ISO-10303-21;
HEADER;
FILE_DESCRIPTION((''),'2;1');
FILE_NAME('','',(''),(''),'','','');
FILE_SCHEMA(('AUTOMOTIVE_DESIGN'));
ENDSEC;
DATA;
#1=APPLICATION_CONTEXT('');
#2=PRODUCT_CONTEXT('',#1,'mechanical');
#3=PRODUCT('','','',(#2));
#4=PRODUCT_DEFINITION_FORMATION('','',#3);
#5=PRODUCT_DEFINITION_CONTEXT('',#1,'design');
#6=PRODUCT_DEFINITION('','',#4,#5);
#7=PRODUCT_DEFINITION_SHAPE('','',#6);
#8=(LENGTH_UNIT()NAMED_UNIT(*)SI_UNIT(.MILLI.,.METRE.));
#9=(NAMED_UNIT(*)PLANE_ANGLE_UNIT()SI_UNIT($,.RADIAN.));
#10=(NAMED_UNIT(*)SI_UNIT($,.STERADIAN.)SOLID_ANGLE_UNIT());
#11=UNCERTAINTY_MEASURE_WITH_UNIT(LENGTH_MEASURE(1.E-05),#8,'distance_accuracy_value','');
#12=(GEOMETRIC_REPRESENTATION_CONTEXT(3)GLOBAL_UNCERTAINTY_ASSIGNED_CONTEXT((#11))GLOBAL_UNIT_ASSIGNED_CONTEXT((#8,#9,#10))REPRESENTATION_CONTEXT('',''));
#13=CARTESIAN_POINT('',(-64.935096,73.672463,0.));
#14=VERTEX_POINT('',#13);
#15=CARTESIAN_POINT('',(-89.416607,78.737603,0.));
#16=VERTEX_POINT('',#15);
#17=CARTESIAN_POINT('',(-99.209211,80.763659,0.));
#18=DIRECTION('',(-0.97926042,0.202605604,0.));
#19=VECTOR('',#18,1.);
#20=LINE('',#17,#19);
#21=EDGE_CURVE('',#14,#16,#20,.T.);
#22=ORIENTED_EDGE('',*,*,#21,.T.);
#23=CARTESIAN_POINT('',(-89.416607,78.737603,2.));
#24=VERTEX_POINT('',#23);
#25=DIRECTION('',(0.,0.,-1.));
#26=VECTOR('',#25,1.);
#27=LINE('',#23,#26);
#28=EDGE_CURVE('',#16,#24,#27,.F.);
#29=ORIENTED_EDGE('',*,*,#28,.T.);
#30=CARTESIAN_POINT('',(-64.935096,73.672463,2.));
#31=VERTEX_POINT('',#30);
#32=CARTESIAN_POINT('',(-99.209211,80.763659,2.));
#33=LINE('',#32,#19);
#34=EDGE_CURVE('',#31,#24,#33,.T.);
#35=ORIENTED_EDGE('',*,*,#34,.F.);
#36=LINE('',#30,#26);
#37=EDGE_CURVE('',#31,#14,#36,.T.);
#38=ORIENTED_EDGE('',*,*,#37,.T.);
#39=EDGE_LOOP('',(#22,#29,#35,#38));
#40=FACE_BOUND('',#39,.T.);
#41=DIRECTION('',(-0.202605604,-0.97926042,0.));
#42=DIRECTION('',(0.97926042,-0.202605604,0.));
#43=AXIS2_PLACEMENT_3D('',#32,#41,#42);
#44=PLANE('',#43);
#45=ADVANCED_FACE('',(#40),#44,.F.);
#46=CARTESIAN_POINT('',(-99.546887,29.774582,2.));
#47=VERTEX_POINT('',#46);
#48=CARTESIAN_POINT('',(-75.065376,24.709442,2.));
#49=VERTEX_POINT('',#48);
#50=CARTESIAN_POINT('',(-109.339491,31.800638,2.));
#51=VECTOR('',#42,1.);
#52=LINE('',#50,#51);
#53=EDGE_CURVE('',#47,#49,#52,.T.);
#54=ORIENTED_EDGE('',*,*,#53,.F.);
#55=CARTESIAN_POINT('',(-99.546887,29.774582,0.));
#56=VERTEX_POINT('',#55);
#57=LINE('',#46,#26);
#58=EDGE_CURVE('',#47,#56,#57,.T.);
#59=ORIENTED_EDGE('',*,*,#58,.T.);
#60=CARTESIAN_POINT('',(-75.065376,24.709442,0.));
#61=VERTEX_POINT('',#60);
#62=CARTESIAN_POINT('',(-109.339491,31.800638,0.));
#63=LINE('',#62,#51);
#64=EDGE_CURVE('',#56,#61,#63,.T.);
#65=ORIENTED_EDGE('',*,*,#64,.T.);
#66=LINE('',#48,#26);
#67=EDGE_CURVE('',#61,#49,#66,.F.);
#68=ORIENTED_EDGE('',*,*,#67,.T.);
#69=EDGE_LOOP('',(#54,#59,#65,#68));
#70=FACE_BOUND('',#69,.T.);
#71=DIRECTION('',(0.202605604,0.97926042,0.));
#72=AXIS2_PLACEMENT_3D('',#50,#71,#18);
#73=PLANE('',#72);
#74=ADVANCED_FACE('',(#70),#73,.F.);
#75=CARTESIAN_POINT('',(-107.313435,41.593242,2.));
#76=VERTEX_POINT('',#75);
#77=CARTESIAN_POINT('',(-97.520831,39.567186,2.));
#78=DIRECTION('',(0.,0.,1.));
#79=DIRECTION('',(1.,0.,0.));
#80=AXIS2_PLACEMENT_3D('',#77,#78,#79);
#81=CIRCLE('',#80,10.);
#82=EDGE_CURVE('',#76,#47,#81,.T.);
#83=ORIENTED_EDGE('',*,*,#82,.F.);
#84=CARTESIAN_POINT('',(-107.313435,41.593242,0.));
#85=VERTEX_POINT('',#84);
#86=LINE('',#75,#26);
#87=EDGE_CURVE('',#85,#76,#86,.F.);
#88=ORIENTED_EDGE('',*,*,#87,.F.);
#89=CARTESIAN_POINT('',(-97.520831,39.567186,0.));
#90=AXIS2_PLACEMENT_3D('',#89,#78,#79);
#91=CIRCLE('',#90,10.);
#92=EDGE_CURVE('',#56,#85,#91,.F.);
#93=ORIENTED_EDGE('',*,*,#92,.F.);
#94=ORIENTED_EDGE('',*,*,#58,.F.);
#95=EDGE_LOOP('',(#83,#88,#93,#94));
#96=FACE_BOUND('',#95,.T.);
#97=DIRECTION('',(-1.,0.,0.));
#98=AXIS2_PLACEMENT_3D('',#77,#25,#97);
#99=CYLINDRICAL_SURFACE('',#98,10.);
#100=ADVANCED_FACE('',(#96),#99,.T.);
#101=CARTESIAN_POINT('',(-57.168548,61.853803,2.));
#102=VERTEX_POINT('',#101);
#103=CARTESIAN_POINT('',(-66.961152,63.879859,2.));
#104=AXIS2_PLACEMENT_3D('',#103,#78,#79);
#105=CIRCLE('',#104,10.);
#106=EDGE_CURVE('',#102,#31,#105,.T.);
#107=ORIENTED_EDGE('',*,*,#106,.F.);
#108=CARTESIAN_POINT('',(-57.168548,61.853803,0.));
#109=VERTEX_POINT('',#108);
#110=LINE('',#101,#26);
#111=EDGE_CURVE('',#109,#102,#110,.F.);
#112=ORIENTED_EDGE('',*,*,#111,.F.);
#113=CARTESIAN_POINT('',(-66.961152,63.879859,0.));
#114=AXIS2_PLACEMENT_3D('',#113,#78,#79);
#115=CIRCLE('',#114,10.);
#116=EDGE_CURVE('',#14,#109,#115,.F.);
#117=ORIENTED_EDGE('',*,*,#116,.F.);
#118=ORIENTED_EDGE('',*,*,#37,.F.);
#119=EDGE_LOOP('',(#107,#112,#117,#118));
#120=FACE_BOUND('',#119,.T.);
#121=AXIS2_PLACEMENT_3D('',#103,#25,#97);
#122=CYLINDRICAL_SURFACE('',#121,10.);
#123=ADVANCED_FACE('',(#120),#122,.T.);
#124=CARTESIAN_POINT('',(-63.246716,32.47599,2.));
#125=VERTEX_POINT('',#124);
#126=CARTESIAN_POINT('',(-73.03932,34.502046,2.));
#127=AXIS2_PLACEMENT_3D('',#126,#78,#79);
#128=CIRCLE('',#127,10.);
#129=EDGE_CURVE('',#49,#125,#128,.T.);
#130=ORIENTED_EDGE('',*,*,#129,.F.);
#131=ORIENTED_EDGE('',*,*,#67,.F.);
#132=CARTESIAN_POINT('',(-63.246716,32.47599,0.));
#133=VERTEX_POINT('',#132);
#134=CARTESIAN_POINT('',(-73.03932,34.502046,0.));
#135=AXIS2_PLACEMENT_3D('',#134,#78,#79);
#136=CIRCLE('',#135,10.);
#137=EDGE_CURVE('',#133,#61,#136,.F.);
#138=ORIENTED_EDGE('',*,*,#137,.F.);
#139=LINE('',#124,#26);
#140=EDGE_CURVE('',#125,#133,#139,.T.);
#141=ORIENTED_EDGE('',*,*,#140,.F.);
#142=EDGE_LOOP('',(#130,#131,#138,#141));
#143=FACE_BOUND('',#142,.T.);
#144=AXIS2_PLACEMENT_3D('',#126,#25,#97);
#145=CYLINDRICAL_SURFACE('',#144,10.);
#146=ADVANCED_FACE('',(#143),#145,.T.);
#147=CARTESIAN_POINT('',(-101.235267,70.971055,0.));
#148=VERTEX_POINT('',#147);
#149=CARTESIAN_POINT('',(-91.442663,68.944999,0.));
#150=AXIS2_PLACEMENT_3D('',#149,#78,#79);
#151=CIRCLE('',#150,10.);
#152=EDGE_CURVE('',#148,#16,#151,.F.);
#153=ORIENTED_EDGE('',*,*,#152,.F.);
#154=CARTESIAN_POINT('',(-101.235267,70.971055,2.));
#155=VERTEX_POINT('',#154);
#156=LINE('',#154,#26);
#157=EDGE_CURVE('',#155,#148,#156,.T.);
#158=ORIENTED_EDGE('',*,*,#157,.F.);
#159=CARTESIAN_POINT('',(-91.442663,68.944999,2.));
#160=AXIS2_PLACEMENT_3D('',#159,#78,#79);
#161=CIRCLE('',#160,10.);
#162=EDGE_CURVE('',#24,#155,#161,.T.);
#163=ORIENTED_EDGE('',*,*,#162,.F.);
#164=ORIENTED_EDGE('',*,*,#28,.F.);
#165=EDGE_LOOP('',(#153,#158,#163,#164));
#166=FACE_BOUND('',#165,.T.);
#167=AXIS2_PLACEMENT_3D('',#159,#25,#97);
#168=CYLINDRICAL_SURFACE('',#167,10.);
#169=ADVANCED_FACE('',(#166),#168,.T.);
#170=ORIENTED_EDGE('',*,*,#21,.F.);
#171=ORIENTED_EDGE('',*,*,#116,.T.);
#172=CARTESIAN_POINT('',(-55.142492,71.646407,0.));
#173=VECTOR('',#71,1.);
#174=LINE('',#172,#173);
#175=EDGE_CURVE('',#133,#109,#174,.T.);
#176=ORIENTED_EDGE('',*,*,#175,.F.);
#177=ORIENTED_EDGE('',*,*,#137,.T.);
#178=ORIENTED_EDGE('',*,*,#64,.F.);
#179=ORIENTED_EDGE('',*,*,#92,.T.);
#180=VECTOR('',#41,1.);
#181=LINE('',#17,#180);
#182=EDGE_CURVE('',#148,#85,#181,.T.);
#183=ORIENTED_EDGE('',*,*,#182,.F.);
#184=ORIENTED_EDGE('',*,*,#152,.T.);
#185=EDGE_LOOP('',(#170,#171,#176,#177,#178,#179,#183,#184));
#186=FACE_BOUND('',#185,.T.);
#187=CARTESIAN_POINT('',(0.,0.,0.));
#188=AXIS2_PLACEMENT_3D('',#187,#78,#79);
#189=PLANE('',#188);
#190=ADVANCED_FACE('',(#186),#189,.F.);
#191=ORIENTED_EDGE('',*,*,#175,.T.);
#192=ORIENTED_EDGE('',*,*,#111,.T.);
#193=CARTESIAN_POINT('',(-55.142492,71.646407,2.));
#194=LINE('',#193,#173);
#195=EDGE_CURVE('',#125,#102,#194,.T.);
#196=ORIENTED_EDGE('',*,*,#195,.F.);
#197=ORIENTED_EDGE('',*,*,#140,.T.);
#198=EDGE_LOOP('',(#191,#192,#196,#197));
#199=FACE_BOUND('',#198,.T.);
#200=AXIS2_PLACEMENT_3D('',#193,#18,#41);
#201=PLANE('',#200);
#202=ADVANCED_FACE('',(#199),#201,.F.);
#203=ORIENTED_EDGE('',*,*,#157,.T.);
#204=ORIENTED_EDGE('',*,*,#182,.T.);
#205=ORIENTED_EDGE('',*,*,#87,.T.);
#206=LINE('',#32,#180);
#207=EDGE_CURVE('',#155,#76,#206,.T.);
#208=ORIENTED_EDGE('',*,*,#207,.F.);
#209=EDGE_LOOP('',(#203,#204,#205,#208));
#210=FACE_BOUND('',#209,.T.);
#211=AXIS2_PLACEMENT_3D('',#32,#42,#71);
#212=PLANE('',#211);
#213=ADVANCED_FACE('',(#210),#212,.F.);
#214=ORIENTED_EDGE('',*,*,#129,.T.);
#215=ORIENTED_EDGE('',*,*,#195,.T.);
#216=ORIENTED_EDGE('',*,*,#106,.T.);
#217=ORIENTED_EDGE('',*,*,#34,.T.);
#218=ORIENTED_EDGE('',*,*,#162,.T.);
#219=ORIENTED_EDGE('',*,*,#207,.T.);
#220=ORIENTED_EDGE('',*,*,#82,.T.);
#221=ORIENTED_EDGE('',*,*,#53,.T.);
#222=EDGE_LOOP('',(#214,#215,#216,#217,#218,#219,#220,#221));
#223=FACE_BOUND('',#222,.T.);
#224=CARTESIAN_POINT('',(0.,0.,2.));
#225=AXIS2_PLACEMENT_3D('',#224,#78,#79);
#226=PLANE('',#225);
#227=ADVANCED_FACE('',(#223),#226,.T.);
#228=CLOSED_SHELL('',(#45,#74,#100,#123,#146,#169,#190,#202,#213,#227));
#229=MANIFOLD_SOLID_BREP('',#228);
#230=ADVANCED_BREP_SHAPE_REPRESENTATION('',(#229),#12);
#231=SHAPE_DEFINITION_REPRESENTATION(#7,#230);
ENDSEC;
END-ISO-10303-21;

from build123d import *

# Parameters (mm, degrees)
BOSS_EXTRU_1_DEPTH = 2
CONG_1_R           = 10


with BuildPart() as part:
    # Esquisse1 → Boss.-Extru.1 (new body)
    with BuildSketch(Plane.XY):
        Polygon((-99.209210776, 80.763658909), (-55.142491898, 71.646406727), (-65.2727721, 22.683385752), (-109.339490978, 31.800637933), align=None)
    extrude(amount=BOSS_EXTRU_1_DEPTH)

    # Congé1
    cong_1_edges = [part.edges().sort_by_distance(p)[0] for p in [
        (-99.209210776, 80.763658909, 1),
        (-55.142491898, 71.646406727, 1),
        (-65.2727721, 22.683385752, 1),
        (-109.339490978, 31.800637933, 1),
    ]]
    fillet(cong_1_edges, radius=CONG_1_R)


solid = part.part
